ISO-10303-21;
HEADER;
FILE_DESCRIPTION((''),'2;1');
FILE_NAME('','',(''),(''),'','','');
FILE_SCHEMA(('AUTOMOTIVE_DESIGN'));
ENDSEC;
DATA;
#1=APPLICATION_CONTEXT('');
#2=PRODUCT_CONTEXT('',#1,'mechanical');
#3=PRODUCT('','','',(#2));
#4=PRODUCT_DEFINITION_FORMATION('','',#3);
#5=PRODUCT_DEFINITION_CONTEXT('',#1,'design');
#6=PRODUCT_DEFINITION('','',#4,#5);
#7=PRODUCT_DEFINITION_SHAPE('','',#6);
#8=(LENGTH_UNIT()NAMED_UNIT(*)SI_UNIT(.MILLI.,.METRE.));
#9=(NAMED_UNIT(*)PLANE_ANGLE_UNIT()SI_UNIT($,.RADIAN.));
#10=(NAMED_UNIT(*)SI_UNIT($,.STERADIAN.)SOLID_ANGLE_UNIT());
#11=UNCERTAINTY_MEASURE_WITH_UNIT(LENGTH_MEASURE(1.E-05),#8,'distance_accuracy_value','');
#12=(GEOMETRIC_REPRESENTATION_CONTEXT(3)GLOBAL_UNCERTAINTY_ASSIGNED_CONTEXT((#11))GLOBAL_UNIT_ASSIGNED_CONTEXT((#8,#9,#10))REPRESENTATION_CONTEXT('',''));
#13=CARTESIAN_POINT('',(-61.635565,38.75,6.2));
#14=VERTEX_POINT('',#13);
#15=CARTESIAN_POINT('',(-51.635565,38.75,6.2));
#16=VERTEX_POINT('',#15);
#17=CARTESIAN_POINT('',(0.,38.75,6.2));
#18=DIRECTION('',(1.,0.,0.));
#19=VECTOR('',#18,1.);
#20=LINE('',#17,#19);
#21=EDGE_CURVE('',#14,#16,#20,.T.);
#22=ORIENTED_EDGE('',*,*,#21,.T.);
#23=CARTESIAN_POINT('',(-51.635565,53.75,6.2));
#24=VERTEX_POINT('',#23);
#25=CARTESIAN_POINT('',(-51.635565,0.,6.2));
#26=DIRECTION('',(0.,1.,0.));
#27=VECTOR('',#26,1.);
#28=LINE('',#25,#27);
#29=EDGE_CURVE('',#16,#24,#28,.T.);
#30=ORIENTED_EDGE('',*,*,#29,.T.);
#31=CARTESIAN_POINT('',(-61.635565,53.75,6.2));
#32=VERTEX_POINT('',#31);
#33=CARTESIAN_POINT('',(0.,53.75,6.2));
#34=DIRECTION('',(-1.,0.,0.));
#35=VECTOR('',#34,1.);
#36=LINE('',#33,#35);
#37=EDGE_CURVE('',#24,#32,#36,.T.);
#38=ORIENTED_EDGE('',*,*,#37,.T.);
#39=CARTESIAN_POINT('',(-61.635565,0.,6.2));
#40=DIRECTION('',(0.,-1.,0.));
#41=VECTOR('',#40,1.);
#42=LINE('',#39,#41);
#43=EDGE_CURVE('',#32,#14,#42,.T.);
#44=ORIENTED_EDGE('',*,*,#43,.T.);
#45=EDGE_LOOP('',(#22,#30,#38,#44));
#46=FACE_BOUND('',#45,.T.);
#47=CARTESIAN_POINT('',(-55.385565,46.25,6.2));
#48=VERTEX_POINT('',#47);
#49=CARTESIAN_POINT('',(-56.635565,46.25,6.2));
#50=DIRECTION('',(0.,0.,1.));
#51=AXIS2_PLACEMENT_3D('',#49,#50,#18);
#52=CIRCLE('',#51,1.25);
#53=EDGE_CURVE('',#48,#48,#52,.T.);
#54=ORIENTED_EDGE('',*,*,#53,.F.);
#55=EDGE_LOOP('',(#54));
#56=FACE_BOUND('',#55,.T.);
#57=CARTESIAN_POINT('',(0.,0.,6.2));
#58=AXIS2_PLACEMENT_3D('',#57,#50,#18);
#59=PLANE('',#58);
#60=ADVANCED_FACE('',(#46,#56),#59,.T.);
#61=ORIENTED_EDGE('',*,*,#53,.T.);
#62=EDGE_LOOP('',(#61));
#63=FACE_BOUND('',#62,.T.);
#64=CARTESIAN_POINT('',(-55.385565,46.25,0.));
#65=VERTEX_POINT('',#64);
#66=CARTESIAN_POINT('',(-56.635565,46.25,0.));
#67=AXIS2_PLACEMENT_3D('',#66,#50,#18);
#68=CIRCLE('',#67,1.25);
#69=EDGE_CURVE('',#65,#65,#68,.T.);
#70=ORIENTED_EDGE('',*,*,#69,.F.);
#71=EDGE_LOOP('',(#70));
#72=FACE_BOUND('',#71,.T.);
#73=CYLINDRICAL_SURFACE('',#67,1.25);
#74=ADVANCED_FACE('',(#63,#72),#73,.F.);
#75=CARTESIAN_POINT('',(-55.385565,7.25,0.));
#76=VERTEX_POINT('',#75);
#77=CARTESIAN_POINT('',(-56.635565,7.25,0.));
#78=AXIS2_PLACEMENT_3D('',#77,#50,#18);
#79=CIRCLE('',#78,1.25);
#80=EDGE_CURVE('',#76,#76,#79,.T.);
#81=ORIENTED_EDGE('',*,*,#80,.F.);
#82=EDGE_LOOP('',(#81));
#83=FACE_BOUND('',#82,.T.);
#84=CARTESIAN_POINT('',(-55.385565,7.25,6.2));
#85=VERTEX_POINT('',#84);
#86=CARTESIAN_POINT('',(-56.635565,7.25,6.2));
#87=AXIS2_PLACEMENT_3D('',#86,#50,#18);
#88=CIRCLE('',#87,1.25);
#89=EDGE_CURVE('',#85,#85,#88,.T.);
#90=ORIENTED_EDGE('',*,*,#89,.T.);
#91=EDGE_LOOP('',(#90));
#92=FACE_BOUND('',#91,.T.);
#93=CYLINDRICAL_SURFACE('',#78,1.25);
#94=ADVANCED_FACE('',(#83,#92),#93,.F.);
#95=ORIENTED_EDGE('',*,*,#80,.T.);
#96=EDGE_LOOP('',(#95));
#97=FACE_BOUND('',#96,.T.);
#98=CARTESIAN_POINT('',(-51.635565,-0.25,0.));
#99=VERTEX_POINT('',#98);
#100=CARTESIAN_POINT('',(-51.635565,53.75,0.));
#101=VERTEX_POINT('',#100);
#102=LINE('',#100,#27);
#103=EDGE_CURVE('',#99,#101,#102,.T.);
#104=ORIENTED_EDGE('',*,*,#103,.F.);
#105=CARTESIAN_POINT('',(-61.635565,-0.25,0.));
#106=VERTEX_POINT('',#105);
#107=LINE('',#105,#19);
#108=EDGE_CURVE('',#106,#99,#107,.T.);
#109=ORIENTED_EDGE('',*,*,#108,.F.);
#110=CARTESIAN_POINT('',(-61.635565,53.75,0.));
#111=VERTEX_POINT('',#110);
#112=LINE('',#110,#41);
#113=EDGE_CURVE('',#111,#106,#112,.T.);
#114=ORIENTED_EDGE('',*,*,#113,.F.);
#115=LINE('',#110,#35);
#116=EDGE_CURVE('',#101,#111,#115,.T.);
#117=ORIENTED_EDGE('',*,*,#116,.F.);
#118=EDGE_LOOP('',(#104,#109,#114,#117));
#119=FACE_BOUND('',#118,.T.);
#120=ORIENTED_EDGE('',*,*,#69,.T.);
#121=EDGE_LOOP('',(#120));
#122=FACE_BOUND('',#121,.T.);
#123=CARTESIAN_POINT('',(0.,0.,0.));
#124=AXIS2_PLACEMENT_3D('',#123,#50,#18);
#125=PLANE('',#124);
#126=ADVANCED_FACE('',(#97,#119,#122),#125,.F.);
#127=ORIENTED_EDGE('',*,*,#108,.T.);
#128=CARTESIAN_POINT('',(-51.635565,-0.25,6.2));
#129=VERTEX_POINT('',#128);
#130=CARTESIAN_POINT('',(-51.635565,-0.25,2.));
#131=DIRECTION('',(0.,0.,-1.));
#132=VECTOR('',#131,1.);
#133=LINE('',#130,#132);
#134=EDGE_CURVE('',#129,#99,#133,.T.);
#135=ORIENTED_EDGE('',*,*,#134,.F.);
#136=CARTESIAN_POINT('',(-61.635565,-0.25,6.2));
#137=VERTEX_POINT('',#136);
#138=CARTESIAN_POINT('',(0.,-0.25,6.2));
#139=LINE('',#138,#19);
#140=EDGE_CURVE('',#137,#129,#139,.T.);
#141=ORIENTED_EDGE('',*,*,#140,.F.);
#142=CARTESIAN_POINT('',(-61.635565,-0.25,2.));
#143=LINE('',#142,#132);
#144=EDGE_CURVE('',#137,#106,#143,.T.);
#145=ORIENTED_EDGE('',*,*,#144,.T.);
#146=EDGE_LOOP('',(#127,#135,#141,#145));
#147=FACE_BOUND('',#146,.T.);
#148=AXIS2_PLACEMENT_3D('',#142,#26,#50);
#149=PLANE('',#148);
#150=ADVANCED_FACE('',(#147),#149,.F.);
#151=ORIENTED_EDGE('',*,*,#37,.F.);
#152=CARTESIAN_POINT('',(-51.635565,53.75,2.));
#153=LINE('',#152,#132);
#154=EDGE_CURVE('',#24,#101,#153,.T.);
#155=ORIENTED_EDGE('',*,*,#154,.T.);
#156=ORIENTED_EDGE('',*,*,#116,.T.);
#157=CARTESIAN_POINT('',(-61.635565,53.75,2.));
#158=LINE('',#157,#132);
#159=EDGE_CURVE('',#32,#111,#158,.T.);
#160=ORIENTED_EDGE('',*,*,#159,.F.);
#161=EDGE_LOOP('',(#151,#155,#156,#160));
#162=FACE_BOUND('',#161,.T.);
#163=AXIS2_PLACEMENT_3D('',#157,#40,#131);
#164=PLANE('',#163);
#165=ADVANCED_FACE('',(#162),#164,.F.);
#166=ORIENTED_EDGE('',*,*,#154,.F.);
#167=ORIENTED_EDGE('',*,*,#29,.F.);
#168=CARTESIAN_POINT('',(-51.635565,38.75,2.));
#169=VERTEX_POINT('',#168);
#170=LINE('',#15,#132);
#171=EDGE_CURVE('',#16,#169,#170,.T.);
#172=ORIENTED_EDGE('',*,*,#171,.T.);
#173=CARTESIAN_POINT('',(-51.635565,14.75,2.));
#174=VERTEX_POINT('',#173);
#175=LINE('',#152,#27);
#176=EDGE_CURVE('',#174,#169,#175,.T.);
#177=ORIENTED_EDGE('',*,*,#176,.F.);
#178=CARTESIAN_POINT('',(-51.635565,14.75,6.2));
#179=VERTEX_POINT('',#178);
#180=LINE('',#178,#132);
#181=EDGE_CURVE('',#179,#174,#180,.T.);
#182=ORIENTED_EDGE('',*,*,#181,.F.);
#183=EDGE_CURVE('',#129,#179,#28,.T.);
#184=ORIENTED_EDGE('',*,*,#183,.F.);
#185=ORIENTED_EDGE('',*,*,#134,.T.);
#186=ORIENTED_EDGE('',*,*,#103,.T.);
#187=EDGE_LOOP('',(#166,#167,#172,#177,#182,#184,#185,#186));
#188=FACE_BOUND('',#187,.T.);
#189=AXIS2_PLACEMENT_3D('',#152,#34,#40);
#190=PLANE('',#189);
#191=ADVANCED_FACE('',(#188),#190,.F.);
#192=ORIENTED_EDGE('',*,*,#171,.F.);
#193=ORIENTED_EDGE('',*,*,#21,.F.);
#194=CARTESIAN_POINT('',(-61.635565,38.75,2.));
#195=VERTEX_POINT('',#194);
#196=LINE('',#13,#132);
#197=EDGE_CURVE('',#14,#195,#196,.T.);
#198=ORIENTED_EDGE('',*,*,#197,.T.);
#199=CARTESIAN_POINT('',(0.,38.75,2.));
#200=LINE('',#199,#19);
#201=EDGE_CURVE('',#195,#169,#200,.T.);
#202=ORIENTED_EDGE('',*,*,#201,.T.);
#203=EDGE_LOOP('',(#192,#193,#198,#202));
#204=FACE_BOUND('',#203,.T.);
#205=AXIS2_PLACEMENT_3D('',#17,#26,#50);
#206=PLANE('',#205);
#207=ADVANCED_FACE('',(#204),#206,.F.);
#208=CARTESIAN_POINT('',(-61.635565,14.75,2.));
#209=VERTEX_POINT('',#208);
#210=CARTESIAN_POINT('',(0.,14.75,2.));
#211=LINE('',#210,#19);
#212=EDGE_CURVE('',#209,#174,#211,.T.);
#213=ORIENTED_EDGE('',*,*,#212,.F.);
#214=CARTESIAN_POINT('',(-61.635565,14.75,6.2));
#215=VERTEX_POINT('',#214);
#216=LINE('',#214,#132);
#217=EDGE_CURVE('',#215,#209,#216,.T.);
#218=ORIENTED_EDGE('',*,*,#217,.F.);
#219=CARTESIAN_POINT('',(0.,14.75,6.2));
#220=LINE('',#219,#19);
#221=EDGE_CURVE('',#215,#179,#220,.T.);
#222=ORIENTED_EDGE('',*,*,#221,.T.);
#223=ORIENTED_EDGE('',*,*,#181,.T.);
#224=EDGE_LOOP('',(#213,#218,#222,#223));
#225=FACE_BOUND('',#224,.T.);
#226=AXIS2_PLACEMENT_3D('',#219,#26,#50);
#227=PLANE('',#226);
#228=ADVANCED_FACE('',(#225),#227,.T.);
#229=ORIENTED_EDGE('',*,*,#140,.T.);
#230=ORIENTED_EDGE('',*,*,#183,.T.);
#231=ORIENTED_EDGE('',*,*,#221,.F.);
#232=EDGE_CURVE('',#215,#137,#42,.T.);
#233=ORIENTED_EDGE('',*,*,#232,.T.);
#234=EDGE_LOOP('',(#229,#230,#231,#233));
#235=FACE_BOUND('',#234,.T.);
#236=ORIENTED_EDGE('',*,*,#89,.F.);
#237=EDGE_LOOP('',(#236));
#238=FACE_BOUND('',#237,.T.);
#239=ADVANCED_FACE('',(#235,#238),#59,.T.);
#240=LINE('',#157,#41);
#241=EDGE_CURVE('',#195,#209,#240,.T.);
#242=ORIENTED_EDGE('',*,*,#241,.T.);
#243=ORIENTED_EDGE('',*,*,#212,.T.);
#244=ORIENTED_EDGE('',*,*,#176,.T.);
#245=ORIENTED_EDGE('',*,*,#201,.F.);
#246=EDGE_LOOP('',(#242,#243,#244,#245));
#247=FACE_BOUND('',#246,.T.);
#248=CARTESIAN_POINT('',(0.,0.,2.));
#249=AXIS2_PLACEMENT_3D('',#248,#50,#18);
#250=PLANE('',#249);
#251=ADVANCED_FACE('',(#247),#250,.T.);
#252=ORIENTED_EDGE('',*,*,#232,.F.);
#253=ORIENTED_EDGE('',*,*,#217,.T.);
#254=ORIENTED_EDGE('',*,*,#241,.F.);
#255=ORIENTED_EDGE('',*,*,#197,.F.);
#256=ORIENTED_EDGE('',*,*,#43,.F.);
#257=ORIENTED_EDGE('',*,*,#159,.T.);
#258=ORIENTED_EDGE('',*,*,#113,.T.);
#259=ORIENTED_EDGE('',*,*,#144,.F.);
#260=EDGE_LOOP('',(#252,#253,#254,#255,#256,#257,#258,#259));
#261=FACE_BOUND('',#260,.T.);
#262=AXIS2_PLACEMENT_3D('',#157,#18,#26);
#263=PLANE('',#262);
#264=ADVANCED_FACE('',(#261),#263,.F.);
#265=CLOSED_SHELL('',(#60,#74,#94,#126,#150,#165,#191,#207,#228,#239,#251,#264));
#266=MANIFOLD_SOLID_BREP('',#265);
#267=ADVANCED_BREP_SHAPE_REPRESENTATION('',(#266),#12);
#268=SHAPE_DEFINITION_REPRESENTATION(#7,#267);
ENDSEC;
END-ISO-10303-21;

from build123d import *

# Parameters (mm, degrees)
SKETCH_1_W          = 10
SKETCH_1_H          = 54
EXTRUDE_1_DEPTH     = 2
SKETCH_2_W          = 10
SKETCH_2_H          = 15
EXTRUDE_2_DEPTH     = 4.2
SKETCH_3_R          = 1.25
CUT_EXTRUDE_1_DEPTH = 83.01490969


with BuildPart() as part:
    # 草圖1 → 填料-伸長1 (new body)
    with BuildSketch(Plane.XY):
        with Locations((-56.635565313, 26.75)):
            Rectangle(SKETCH_1_W, SKETCH_1_H)
    extrude(amount=EXTRUDE_1_DEPTH)

    # 草圖2 → 填料-伸長2 (add)
    with BuildSketch(Plane.XY.offset(2)):
        with Locations((-56.635565313, 7.25)):
            Rectangle(SKETCH_2_W, SKETCH_2_H)
        with Locations((-56.635565313, 46.25)):
            Rectangle(SKETCH_2_W, SKETCH_2_H)
    extrude(amount=EXTRUDE_2_DEPTH)

    # 草圖3 → 除料-伸長1 (cut, through all)
    with BuildSketch(Plane.XY.offset(6.2)):
        with Locations((-56.635565313, 7.25)):
            Circle(SKETCH_3_R)
        with Locations((-56.635565313, 46.25)):
            Circle(SKETCH_3_R)
    extrude(amount=-CUT_EXTRUDE_1_DEPTH, mode=Mode.SUBTRACT)


solid = part.part
